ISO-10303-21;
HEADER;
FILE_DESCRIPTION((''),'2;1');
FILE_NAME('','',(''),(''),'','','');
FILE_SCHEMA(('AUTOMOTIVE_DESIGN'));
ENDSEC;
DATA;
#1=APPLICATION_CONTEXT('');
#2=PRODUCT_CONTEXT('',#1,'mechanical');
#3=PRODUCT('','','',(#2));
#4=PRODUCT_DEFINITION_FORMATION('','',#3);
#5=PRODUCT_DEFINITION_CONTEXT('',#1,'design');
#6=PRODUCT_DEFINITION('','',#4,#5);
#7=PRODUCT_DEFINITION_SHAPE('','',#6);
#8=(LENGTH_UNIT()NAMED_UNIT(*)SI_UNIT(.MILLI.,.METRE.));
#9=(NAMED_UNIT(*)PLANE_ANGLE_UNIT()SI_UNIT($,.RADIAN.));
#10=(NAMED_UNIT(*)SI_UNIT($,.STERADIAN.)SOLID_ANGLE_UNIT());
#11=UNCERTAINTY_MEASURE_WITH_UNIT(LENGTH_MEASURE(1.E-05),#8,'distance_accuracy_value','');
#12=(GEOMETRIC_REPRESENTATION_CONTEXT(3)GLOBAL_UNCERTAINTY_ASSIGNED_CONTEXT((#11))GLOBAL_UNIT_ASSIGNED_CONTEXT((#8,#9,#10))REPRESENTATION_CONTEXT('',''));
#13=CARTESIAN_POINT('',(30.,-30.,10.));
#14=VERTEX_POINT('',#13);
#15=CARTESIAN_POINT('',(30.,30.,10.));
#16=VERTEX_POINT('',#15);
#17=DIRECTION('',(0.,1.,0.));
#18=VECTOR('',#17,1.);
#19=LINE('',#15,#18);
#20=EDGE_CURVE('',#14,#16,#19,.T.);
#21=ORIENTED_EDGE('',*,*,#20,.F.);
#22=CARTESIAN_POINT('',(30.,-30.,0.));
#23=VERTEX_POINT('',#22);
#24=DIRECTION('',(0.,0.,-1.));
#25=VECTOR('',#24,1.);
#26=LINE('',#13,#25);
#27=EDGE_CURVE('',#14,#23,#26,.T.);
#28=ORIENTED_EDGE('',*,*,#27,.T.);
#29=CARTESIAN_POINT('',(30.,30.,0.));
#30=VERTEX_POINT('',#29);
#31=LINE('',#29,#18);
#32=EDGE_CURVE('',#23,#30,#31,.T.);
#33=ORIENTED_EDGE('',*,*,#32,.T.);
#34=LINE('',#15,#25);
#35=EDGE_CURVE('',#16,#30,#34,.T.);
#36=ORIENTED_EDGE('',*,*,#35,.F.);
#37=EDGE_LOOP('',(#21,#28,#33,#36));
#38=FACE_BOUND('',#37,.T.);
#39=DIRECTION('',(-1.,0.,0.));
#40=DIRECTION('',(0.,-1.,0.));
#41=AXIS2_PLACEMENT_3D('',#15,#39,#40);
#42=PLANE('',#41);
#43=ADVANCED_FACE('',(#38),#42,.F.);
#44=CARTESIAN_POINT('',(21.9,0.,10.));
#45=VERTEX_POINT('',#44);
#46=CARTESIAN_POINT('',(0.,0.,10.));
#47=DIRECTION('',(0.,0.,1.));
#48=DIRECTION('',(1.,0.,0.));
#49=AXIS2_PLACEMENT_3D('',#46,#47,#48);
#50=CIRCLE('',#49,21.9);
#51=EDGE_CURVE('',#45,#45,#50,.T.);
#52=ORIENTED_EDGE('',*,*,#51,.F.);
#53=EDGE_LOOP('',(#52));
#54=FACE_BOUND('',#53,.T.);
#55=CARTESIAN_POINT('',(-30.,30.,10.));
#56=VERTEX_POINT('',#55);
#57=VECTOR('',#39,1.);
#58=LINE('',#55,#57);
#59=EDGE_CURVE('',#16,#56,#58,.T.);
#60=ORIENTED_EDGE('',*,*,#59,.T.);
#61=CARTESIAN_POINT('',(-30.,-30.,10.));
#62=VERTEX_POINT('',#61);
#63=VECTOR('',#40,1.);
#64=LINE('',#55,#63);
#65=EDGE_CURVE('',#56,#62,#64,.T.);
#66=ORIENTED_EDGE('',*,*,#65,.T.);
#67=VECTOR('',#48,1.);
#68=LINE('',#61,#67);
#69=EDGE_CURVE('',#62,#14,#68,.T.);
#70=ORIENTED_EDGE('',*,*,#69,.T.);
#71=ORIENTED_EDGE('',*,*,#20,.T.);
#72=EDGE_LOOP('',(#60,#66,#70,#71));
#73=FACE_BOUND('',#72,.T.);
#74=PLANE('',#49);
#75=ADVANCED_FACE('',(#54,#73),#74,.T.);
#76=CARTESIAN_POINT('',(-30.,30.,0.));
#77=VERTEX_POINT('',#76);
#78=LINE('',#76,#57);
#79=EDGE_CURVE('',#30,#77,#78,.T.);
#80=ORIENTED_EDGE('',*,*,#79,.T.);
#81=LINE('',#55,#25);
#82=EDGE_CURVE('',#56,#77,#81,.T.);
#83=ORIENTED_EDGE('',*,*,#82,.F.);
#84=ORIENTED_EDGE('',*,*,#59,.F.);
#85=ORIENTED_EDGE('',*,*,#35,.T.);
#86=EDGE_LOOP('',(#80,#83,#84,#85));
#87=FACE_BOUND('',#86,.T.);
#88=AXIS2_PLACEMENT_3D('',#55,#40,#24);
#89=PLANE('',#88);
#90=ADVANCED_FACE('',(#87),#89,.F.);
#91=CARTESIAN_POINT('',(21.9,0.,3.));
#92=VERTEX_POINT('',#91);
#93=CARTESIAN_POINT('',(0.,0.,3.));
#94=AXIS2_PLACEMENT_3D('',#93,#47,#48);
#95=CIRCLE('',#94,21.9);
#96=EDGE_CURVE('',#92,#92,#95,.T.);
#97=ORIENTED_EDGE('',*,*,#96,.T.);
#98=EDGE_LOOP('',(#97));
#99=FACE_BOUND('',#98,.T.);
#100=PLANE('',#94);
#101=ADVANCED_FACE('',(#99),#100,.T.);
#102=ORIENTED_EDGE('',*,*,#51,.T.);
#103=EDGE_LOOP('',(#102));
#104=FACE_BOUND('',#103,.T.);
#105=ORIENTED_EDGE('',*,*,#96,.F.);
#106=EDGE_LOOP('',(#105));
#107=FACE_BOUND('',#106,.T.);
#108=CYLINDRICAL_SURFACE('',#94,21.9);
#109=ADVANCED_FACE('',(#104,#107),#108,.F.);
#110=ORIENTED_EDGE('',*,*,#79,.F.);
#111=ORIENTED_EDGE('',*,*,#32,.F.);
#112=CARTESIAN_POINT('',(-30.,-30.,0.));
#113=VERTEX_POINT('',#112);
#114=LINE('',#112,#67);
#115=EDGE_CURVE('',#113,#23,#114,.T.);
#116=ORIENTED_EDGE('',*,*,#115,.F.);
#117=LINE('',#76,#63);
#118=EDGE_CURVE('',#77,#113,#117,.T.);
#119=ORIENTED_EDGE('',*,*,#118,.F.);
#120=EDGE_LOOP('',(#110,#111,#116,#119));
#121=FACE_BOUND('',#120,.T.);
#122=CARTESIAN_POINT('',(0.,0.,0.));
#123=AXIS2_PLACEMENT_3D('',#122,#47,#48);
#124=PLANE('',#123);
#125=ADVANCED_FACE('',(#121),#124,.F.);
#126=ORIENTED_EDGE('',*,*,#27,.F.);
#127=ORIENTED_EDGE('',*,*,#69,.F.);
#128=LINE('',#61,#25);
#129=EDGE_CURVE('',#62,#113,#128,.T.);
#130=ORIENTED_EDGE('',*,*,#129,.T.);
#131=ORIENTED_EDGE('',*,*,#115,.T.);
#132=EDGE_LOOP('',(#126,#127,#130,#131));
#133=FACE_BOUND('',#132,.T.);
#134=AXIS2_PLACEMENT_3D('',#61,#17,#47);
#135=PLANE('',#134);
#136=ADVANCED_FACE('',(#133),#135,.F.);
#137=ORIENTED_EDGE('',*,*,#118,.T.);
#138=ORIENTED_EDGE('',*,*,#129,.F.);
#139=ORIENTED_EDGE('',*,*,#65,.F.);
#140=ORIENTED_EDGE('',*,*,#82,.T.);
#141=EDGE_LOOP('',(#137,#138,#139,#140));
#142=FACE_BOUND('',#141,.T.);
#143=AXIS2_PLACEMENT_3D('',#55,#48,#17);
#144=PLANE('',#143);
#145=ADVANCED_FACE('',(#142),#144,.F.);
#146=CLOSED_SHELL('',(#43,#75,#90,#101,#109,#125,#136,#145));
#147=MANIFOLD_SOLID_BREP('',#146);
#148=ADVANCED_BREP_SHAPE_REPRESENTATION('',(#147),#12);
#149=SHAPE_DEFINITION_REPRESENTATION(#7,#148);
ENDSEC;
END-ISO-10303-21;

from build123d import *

# Parameters (mm, degrees)
SKETCH1_W           = 60
SKETCH1_H           = 60
BOSS_EXTRUDE1_DEPTH = 10
SKETCH2_R           = 21.9
CUT_EXTRUDE1_DEPTH  = 7


with BuildPart() as part:
    # Sketch1 → Boss-Extrude1 (new body)
    with BuildSketch(Plane.XY):
        Rectangle(SKETCH1_W, SKETCH1_H)
    extrude(amount=BOSS_EXTRUDE1_DEPTH)

    # Sketch2 → Cut-Extrude1 (cut)
    with BuildSketch(Plane.XY.offset(10)):
        Circle(SKETCH2_R)
    extrude(amount=-CUT_EXTRUDE1_DEPTH, mode=Mode.SUBTRACT)


solid = part.part
